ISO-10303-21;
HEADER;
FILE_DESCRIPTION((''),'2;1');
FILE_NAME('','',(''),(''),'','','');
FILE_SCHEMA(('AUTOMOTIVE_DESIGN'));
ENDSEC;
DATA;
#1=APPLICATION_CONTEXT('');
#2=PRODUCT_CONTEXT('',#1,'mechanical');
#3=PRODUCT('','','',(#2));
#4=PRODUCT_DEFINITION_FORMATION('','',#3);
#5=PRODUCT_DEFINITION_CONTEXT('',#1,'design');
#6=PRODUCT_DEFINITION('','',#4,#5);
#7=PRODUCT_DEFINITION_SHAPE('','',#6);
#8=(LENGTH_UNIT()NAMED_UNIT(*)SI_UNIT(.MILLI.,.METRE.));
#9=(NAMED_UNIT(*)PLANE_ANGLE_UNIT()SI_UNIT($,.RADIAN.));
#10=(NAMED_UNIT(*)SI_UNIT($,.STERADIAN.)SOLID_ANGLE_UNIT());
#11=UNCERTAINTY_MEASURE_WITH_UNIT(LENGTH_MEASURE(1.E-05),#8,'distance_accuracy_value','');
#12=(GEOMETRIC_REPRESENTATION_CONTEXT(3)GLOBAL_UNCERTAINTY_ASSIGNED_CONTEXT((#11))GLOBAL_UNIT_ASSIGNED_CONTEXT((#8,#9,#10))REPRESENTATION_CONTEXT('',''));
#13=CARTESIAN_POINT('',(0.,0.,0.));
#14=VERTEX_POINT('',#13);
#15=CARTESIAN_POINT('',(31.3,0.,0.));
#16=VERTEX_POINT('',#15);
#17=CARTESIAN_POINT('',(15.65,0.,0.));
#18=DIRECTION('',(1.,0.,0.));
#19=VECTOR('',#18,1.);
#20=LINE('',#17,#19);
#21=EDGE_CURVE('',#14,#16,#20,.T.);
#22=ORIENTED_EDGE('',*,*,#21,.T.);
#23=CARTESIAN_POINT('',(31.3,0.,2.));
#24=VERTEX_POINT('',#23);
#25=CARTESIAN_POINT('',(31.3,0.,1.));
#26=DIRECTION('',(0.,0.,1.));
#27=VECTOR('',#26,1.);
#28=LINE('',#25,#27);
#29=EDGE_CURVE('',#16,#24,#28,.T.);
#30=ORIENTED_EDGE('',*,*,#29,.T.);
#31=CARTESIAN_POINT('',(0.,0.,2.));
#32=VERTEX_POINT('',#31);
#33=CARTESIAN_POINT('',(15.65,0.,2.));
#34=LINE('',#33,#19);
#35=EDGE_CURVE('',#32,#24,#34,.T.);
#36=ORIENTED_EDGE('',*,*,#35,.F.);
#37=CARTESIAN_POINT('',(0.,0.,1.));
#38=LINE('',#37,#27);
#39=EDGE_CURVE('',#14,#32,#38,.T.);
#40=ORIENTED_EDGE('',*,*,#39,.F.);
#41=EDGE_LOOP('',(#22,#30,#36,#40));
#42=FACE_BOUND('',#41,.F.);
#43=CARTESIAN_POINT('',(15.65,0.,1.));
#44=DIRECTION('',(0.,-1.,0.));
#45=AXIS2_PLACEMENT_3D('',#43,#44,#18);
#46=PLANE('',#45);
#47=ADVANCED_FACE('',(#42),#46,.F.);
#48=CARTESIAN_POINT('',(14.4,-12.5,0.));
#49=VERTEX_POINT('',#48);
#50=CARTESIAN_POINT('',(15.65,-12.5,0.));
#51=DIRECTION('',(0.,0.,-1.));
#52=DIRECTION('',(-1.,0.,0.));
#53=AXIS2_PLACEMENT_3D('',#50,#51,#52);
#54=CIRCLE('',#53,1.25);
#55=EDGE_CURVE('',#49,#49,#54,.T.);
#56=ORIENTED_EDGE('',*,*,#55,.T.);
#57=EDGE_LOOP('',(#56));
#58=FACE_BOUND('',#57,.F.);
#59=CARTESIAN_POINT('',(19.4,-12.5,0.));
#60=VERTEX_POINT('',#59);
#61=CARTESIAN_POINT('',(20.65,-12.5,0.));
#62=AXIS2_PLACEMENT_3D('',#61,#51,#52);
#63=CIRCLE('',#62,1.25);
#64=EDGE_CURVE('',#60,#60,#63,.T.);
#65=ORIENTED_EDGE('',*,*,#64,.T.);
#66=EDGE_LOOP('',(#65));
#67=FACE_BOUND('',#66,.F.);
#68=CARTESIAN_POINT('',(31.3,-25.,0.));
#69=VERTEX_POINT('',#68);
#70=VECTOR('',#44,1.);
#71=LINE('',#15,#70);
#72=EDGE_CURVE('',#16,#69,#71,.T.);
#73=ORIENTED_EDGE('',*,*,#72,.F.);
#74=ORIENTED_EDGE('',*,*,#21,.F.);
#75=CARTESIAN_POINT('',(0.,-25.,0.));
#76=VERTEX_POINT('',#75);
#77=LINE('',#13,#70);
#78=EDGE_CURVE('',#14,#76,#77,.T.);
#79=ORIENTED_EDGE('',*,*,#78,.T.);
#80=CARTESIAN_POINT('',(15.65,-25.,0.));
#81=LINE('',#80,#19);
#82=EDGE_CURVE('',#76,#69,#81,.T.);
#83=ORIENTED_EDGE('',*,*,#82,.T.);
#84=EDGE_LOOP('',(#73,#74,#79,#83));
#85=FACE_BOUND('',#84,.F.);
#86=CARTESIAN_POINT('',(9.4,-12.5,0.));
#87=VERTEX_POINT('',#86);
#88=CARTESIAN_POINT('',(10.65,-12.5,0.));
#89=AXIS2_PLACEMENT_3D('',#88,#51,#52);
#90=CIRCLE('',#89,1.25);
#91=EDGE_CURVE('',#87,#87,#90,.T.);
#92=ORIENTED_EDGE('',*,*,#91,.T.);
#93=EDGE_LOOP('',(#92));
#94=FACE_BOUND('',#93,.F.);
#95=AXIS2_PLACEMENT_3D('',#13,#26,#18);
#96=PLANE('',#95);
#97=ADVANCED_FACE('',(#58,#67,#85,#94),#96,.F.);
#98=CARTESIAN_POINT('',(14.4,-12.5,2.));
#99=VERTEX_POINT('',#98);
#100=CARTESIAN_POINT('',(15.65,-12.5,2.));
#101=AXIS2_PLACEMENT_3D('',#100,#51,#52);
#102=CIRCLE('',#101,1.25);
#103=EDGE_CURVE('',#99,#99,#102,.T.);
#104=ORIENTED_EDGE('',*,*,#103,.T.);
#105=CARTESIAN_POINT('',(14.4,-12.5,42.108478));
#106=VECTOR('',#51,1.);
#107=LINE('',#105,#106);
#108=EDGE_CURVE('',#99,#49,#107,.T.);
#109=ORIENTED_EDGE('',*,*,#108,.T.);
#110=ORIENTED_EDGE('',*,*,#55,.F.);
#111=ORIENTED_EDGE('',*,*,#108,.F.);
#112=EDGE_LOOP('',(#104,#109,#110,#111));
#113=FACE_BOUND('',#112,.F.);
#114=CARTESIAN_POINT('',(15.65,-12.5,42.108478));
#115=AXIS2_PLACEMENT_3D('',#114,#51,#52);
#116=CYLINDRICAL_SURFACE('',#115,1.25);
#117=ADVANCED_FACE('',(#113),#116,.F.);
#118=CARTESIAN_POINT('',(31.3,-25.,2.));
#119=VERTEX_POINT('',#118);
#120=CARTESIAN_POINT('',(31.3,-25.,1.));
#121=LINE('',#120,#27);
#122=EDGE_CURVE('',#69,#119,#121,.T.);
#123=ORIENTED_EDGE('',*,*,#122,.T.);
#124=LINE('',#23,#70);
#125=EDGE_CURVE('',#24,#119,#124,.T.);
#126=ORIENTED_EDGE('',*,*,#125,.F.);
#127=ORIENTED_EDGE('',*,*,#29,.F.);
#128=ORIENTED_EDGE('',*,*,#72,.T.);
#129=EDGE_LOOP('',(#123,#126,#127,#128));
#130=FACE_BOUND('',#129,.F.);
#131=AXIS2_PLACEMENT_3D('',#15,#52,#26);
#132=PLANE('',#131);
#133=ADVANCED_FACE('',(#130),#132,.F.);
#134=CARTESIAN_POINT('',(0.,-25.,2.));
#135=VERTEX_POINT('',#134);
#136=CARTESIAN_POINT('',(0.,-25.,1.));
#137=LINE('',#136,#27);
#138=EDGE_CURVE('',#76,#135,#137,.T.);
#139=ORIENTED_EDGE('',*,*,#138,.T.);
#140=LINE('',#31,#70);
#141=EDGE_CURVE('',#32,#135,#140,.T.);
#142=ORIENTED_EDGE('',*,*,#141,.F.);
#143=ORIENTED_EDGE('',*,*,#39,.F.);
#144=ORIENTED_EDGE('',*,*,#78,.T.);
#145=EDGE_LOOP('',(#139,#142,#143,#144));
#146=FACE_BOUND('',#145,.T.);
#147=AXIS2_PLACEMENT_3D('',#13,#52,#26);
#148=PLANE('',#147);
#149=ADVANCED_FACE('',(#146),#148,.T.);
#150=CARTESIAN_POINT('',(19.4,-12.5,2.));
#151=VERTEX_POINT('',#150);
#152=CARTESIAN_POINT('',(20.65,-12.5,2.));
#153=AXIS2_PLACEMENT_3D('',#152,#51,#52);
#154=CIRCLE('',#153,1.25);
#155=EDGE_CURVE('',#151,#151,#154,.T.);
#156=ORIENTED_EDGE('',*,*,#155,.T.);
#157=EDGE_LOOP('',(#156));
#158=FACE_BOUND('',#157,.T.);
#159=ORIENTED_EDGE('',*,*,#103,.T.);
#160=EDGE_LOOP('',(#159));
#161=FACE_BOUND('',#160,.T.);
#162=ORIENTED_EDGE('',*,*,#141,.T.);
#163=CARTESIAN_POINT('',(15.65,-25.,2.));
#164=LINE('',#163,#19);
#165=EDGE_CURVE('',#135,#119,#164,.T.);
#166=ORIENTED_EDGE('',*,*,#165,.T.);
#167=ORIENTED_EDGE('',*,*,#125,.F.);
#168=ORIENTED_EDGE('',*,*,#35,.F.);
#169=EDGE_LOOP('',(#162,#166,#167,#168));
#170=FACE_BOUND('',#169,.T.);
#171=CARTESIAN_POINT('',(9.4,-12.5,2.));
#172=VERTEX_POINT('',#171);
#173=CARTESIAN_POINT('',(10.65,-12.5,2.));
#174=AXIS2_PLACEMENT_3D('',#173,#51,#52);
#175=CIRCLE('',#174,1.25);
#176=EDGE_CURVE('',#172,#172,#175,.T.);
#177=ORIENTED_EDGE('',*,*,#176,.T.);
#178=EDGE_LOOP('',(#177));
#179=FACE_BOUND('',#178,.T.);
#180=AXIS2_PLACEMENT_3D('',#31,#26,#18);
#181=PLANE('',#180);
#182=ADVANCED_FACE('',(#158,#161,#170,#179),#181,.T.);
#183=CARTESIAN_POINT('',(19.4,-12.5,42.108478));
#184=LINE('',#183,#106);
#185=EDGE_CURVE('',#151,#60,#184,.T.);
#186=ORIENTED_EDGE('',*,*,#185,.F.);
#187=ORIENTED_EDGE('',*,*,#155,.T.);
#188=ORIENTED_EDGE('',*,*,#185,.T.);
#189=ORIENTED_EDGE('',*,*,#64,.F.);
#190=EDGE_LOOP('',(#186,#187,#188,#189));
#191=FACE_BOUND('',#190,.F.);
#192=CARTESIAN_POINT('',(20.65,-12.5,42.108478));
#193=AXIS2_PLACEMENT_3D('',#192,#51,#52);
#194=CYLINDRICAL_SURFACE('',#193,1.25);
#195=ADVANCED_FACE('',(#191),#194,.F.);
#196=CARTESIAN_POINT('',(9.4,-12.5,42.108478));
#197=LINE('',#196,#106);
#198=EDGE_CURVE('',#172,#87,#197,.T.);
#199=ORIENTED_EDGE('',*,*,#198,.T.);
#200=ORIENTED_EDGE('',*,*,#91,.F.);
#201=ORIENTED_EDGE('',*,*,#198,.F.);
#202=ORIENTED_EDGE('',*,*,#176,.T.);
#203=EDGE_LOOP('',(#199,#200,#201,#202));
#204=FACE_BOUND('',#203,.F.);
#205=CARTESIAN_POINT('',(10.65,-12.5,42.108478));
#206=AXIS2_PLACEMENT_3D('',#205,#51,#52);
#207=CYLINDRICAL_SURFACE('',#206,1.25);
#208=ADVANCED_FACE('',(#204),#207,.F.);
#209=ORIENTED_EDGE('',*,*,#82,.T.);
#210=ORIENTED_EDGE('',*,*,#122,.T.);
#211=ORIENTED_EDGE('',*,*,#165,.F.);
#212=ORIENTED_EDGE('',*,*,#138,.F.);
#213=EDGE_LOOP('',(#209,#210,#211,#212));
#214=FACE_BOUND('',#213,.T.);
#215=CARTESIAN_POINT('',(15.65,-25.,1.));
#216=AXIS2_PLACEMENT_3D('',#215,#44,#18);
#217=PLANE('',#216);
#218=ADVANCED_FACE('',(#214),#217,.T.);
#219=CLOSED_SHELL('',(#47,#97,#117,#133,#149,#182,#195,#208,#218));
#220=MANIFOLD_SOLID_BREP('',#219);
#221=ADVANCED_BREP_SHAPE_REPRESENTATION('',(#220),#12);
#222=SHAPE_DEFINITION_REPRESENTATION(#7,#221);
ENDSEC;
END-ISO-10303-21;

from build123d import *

# Parameters (mm, degrees)
F0_W     = 31.3
F0_H     = 2
F1_DEPTH = 25
F3_D     = 2.5


with BuildPart() as f1:
    # F0 (on Front) → F1 (new body)
    with BuildSketch(Plane.XZ):
        with Locations((15.65, 1)):
            Rectangle(F0_W, F0_H)
    extrude(amount=F1_DEPTH)

    # F3 (through all)
    with Locations(Plane.XY.offset(2)):
        with Locations((10.65, -12.5), (15.65, -12.5), (20.65, -12.5)):
            Hole(F3_D / 2)


solid = f1.part
